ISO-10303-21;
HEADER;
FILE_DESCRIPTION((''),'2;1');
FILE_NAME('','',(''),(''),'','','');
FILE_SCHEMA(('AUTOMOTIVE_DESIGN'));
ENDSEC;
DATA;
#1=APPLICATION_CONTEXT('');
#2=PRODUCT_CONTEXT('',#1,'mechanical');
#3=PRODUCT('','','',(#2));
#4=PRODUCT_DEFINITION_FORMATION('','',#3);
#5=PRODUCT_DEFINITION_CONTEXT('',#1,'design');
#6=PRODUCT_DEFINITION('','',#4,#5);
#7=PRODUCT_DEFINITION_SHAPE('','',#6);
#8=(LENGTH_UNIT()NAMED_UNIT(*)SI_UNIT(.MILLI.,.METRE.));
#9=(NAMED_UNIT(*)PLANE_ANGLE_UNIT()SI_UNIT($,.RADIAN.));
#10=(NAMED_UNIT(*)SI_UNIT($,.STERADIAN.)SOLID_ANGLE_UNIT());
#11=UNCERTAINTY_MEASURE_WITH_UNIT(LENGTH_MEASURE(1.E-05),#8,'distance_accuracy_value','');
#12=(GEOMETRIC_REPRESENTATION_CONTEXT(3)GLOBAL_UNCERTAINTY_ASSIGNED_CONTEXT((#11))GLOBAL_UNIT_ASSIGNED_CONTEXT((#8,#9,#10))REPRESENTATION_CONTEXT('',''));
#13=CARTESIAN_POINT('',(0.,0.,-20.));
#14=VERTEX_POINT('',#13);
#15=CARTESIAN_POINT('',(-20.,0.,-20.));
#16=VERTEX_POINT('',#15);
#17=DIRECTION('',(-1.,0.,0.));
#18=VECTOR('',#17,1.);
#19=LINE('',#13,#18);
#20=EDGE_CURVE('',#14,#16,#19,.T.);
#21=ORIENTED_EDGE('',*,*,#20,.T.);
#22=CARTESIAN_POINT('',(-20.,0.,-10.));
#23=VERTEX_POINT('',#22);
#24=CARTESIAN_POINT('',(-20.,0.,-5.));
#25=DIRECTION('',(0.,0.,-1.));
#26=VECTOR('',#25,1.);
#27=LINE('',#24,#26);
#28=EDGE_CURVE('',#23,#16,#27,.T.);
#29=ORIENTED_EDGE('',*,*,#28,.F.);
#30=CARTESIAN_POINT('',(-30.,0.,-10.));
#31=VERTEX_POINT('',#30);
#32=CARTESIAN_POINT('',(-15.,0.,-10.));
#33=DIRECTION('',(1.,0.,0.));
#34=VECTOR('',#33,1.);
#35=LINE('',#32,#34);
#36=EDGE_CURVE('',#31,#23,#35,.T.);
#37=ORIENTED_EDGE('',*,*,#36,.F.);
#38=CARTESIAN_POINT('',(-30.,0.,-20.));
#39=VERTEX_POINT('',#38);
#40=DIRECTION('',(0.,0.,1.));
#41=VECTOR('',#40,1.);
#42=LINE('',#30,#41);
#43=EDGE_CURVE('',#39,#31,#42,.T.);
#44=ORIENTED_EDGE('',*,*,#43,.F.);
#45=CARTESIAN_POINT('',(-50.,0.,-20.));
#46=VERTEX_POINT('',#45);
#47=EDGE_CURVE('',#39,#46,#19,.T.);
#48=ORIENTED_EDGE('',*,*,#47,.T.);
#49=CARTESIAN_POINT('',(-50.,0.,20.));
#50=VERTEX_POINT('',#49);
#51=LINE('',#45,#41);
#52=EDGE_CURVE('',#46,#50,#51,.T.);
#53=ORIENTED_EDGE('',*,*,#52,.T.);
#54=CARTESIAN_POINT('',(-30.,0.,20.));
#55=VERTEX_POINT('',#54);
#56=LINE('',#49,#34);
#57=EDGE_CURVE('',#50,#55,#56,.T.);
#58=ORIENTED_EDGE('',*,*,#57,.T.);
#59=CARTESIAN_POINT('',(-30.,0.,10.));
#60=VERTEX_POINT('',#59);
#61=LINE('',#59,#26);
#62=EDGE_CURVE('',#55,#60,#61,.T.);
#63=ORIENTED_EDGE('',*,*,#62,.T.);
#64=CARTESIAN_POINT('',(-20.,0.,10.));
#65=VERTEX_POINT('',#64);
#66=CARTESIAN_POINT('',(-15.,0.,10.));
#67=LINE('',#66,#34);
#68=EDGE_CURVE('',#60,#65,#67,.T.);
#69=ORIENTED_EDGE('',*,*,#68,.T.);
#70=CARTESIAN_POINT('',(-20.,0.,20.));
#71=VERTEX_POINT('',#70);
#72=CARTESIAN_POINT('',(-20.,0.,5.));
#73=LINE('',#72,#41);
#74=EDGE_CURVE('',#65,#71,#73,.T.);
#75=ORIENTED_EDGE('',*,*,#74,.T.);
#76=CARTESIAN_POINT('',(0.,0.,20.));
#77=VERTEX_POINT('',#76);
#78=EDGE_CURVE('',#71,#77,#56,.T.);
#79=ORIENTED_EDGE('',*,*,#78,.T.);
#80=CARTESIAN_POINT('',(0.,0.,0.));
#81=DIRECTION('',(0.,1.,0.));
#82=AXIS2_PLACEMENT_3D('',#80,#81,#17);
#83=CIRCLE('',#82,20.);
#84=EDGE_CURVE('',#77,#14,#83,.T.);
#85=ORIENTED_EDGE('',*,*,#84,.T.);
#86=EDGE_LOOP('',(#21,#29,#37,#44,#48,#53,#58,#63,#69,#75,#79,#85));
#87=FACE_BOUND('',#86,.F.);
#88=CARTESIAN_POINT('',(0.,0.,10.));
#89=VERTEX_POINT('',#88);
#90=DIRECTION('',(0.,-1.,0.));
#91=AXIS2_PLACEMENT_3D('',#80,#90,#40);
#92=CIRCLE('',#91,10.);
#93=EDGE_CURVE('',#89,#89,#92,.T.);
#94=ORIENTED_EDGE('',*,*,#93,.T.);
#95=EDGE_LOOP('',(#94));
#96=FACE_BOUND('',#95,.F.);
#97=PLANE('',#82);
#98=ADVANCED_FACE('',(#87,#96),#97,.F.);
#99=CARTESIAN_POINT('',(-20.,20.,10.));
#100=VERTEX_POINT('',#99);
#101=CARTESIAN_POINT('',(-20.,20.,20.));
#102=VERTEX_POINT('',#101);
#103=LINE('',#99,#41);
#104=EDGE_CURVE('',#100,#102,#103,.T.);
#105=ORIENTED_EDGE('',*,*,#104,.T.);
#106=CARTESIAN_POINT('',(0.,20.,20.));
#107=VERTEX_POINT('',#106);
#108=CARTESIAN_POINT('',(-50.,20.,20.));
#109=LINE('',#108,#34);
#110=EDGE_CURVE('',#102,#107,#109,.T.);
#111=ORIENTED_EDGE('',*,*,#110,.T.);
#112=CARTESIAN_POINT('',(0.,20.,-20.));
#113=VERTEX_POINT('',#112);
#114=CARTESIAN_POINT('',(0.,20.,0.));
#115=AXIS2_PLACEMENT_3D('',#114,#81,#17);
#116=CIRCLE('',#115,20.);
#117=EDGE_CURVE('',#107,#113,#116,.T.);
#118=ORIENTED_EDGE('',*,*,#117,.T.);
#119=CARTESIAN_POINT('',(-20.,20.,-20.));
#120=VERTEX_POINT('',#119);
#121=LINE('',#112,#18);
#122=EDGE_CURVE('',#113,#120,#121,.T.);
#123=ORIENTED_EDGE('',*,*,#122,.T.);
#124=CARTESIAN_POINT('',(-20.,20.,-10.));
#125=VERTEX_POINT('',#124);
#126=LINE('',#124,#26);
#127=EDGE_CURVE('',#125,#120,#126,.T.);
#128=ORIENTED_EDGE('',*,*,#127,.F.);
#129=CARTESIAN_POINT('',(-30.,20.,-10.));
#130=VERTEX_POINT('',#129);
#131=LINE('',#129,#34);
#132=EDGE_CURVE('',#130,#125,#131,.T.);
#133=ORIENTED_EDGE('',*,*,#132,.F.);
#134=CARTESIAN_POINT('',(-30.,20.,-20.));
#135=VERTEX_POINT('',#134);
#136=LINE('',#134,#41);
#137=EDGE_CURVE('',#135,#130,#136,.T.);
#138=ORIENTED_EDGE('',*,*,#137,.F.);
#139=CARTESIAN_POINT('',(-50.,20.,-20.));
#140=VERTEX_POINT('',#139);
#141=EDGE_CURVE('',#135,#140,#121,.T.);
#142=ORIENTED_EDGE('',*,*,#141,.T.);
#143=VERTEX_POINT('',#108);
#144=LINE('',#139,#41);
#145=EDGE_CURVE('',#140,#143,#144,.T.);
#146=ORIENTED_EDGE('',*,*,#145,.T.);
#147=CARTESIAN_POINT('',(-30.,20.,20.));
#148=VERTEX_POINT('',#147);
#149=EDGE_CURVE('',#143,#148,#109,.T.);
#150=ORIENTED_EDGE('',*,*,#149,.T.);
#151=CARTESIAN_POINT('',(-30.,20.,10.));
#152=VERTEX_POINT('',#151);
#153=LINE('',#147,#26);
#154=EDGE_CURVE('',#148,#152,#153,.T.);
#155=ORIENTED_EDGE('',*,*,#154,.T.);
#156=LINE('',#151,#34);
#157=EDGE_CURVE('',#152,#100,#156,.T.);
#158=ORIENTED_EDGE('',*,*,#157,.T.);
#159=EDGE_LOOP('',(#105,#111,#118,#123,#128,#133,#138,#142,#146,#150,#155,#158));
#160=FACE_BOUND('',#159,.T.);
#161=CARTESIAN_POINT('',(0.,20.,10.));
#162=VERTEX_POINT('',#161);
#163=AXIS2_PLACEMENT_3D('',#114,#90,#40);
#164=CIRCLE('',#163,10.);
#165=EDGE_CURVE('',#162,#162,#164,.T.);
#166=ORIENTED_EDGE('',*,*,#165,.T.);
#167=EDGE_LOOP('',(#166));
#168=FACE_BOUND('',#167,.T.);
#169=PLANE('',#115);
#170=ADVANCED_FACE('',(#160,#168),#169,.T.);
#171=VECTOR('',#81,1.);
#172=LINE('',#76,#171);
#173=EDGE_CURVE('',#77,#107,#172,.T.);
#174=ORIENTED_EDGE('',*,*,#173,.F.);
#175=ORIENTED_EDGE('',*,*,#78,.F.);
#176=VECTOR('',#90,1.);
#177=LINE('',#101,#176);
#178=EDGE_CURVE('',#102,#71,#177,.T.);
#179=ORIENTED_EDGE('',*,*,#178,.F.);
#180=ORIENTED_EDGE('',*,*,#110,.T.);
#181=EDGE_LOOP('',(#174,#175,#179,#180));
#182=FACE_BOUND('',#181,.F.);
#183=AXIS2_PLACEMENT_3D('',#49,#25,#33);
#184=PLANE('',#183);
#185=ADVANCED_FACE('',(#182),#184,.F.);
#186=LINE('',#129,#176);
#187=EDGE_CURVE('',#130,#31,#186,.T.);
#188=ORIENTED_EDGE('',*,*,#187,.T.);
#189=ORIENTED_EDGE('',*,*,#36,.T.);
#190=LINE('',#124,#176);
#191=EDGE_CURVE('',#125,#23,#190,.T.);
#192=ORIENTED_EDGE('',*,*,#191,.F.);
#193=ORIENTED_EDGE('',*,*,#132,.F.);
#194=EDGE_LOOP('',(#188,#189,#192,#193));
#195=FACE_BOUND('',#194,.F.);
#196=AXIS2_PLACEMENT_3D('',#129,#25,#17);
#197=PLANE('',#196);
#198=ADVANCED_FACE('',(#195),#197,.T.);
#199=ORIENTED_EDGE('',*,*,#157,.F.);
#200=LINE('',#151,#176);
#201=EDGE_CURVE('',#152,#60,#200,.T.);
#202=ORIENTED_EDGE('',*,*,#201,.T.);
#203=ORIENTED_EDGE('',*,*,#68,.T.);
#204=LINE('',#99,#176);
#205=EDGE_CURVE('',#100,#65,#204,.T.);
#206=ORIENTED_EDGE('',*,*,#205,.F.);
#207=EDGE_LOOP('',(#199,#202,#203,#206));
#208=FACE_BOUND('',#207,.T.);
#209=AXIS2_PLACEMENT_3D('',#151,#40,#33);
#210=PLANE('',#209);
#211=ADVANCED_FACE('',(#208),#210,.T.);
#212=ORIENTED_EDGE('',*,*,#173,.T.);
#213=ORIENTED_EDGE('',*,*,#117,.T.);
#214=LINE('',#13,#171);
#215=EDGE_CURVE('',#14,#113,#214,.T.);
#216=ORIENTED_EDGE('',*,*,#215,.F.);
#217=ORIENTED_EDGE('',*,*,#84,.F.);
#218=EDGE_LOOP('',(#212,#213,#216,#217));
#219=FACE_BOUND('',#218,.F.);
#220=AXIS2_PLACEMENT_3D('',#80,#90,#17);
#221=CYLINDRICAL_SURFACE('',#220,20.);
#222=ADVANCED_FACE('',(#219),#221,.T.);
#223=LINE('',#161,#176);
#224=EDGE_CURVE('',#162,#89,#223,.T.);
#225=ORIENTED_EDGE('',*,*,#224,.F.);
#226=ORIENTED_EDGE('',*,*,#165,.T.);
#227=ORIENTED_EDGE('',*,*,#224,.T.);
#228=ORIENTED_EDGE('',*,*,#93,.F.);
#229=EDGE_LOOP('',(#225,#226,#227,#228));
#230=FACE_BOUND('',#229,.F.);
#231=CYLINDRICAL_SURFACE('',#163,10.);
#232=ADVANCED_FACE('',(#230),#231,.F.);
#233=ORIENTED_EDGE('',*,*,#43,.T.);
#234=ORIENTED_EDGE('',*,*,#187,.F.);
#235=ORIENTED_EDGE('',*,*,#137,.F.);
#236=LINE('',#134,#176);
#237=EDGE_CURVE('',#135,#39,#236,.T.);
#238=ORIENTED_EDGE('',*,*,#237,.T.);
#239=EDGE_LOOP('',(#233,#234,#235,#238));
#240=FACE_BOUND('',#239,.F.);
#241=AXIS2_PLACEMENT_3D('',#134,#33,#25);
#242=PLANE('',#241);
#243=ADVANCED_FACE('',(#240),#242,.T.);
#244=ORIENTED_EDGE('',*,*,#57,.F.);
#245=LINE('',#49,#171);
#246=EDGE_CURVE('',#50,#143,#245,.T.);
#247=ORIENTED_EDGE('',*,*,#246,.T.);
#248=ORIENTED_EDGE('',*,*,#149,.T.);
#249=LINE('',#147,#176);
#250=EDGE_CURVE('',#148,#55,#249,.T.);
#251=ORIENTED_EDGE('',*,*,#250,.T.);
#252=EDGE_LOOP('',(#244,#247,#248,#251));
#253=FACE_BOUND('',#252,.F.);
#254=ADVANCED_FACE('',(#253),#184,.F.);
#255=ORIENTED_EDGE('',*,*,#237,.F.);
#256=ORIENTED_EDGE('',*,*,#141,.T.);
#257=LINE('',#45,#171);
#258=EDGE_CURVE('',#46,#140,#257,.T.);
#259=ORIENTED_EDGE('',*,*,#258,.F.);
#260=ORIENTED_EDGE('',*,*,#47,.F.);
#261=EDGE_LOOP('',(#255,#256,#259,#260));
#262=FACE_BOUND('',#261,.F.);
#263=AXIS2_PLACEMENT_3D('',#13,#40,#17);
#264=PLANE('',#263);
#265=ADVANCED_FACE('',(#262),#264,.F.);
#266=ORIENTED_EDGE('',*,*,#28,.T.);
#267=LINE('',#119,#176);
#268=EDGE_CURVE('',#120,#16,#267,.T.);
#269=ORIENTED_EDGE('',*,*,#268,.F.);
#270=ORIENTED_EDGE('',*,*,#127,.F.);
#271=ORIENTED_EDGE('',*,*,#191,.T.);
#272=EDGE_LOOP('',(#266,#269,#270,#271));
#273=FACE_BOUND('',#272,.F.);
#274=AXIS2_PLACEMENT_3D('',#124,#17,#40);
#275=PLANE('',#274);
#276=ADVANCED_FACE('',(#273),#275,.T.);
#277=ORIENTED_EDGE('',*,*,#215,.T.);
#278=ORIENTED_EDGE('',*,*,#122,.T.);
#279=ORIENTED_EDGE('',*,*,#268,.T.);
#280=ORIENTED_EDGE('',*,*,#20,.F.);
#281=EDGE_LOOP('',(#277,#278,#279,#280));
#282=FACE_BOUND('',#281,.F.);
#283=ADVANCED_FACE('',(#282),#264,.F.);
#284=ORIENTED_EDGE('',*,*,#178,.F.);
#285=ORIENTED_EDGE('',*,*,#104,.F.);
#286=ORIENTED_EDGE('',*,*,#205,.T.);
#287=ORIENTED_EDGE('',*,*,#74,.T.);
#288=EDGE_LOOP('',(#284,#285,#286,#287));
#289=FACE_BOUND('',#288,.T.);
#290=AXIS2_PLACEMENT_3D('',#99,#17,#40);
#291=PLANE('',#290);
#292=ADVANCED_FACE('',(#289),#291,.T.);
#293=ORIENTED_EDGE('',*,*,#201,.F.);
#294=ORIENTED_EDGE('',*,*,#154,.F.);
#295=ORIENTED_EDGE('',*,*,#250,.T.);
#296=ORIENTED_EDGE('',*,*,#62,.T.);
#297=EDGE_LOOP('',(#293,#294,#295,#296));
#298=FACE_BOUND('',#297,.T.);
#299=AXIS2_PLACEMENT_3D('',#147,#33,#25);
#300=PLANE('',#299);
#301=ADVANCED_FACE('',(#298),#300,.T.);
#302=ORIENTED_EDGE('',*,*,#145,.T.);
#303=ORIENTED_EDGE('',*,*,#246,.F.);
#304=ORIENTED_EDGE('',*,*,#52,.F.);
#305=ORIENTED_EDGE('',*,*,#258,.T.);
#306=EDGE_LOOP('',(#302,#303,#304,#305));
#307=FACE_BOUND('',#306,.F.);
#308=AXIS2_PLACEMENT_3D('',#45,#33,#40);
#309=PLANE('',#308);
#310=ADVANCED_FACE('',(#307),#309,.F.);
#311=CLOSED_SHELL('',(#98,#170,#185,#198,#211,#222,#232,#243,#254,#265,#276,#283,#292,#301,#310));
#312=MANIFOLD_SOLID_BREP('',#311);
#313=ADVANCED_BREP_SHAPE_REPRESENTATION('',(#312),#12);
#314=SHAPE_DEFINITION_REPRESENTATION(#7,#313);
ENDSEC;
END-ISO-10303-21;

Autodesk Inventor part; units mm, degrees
ref_plane "YZ Plane" through (0, 0, 0) normal (1, 0, 0) x (0, 1, 0)
ref_plane "XZ Plane" through (0, 0, 0) normal (0, 1, 0) x (-1, 0, 0)
ref_plane "XY Plane" through (0, 0, 0) normal (0, 0, 1) x (1, 0, 0)
sketch "草圖1" plane through (0, 0, 0) normal (0, 1, 0) x (-1, 0, 0)
  circle A0 centre (0, 0) radius 20
  line L0 (0, -20) -> (50, -20)
  line L1 (50, -20) -> (50, 20)
  line L2 (50, 20) -> (0, 20)
  line L3 (0, 20) -> (0, -20)
  point P0 (0, 20)
  dimension "d0" = 40
  dimension "d1" = 50
extrude "擠出1" add sketch "草圖1" along normal blind 20
sketch "草圖2" plane through (0, 20, 0) normal (0, 1, 0) x (1, 0, 0)
  line L0 (-50, -20) -> (-50, 20) projected
  line L1 (-50, 20) -> (0, 20) projected
  arc A0 (0, -20) -> (0, 20) centre (0, 0) ccw projected
  line L2 (0, -20) -> (-50, -20) projected
  line L3 (-30, -10) -> (-20, -10)
  line L4 (-20, -10) -> (-20, -20)
  line L5 (-20, -20) -> (-30, -20)
  line L6 (-30, -20) -> (-30, -10)
  line L7 (-50, -20) -> (0, -20) projected
  dimension "d4" = 10
  dimension "d5" = 10
  dimension "d6" = 20
extrude "擠出2" cut sketch "草圖2" against normal through all contours L6 L3 L4 L2
mirror "鏡射1" about plane through (0, 0, 0) normal (0, 0, 1) of "擠出2"
sketch "草圖3" plane through (0, 20, 0) normal (0, 1, 0) x (1, 0, 0)
  arc A0 (0, -20) -> (0, 20) centre (0, 0) ccw projected
hole "孔1" at (0, 20, 0) direction (0, -1, 0) diameter 20 end through all
properties part number "32" material "鋼、碳鋼"
